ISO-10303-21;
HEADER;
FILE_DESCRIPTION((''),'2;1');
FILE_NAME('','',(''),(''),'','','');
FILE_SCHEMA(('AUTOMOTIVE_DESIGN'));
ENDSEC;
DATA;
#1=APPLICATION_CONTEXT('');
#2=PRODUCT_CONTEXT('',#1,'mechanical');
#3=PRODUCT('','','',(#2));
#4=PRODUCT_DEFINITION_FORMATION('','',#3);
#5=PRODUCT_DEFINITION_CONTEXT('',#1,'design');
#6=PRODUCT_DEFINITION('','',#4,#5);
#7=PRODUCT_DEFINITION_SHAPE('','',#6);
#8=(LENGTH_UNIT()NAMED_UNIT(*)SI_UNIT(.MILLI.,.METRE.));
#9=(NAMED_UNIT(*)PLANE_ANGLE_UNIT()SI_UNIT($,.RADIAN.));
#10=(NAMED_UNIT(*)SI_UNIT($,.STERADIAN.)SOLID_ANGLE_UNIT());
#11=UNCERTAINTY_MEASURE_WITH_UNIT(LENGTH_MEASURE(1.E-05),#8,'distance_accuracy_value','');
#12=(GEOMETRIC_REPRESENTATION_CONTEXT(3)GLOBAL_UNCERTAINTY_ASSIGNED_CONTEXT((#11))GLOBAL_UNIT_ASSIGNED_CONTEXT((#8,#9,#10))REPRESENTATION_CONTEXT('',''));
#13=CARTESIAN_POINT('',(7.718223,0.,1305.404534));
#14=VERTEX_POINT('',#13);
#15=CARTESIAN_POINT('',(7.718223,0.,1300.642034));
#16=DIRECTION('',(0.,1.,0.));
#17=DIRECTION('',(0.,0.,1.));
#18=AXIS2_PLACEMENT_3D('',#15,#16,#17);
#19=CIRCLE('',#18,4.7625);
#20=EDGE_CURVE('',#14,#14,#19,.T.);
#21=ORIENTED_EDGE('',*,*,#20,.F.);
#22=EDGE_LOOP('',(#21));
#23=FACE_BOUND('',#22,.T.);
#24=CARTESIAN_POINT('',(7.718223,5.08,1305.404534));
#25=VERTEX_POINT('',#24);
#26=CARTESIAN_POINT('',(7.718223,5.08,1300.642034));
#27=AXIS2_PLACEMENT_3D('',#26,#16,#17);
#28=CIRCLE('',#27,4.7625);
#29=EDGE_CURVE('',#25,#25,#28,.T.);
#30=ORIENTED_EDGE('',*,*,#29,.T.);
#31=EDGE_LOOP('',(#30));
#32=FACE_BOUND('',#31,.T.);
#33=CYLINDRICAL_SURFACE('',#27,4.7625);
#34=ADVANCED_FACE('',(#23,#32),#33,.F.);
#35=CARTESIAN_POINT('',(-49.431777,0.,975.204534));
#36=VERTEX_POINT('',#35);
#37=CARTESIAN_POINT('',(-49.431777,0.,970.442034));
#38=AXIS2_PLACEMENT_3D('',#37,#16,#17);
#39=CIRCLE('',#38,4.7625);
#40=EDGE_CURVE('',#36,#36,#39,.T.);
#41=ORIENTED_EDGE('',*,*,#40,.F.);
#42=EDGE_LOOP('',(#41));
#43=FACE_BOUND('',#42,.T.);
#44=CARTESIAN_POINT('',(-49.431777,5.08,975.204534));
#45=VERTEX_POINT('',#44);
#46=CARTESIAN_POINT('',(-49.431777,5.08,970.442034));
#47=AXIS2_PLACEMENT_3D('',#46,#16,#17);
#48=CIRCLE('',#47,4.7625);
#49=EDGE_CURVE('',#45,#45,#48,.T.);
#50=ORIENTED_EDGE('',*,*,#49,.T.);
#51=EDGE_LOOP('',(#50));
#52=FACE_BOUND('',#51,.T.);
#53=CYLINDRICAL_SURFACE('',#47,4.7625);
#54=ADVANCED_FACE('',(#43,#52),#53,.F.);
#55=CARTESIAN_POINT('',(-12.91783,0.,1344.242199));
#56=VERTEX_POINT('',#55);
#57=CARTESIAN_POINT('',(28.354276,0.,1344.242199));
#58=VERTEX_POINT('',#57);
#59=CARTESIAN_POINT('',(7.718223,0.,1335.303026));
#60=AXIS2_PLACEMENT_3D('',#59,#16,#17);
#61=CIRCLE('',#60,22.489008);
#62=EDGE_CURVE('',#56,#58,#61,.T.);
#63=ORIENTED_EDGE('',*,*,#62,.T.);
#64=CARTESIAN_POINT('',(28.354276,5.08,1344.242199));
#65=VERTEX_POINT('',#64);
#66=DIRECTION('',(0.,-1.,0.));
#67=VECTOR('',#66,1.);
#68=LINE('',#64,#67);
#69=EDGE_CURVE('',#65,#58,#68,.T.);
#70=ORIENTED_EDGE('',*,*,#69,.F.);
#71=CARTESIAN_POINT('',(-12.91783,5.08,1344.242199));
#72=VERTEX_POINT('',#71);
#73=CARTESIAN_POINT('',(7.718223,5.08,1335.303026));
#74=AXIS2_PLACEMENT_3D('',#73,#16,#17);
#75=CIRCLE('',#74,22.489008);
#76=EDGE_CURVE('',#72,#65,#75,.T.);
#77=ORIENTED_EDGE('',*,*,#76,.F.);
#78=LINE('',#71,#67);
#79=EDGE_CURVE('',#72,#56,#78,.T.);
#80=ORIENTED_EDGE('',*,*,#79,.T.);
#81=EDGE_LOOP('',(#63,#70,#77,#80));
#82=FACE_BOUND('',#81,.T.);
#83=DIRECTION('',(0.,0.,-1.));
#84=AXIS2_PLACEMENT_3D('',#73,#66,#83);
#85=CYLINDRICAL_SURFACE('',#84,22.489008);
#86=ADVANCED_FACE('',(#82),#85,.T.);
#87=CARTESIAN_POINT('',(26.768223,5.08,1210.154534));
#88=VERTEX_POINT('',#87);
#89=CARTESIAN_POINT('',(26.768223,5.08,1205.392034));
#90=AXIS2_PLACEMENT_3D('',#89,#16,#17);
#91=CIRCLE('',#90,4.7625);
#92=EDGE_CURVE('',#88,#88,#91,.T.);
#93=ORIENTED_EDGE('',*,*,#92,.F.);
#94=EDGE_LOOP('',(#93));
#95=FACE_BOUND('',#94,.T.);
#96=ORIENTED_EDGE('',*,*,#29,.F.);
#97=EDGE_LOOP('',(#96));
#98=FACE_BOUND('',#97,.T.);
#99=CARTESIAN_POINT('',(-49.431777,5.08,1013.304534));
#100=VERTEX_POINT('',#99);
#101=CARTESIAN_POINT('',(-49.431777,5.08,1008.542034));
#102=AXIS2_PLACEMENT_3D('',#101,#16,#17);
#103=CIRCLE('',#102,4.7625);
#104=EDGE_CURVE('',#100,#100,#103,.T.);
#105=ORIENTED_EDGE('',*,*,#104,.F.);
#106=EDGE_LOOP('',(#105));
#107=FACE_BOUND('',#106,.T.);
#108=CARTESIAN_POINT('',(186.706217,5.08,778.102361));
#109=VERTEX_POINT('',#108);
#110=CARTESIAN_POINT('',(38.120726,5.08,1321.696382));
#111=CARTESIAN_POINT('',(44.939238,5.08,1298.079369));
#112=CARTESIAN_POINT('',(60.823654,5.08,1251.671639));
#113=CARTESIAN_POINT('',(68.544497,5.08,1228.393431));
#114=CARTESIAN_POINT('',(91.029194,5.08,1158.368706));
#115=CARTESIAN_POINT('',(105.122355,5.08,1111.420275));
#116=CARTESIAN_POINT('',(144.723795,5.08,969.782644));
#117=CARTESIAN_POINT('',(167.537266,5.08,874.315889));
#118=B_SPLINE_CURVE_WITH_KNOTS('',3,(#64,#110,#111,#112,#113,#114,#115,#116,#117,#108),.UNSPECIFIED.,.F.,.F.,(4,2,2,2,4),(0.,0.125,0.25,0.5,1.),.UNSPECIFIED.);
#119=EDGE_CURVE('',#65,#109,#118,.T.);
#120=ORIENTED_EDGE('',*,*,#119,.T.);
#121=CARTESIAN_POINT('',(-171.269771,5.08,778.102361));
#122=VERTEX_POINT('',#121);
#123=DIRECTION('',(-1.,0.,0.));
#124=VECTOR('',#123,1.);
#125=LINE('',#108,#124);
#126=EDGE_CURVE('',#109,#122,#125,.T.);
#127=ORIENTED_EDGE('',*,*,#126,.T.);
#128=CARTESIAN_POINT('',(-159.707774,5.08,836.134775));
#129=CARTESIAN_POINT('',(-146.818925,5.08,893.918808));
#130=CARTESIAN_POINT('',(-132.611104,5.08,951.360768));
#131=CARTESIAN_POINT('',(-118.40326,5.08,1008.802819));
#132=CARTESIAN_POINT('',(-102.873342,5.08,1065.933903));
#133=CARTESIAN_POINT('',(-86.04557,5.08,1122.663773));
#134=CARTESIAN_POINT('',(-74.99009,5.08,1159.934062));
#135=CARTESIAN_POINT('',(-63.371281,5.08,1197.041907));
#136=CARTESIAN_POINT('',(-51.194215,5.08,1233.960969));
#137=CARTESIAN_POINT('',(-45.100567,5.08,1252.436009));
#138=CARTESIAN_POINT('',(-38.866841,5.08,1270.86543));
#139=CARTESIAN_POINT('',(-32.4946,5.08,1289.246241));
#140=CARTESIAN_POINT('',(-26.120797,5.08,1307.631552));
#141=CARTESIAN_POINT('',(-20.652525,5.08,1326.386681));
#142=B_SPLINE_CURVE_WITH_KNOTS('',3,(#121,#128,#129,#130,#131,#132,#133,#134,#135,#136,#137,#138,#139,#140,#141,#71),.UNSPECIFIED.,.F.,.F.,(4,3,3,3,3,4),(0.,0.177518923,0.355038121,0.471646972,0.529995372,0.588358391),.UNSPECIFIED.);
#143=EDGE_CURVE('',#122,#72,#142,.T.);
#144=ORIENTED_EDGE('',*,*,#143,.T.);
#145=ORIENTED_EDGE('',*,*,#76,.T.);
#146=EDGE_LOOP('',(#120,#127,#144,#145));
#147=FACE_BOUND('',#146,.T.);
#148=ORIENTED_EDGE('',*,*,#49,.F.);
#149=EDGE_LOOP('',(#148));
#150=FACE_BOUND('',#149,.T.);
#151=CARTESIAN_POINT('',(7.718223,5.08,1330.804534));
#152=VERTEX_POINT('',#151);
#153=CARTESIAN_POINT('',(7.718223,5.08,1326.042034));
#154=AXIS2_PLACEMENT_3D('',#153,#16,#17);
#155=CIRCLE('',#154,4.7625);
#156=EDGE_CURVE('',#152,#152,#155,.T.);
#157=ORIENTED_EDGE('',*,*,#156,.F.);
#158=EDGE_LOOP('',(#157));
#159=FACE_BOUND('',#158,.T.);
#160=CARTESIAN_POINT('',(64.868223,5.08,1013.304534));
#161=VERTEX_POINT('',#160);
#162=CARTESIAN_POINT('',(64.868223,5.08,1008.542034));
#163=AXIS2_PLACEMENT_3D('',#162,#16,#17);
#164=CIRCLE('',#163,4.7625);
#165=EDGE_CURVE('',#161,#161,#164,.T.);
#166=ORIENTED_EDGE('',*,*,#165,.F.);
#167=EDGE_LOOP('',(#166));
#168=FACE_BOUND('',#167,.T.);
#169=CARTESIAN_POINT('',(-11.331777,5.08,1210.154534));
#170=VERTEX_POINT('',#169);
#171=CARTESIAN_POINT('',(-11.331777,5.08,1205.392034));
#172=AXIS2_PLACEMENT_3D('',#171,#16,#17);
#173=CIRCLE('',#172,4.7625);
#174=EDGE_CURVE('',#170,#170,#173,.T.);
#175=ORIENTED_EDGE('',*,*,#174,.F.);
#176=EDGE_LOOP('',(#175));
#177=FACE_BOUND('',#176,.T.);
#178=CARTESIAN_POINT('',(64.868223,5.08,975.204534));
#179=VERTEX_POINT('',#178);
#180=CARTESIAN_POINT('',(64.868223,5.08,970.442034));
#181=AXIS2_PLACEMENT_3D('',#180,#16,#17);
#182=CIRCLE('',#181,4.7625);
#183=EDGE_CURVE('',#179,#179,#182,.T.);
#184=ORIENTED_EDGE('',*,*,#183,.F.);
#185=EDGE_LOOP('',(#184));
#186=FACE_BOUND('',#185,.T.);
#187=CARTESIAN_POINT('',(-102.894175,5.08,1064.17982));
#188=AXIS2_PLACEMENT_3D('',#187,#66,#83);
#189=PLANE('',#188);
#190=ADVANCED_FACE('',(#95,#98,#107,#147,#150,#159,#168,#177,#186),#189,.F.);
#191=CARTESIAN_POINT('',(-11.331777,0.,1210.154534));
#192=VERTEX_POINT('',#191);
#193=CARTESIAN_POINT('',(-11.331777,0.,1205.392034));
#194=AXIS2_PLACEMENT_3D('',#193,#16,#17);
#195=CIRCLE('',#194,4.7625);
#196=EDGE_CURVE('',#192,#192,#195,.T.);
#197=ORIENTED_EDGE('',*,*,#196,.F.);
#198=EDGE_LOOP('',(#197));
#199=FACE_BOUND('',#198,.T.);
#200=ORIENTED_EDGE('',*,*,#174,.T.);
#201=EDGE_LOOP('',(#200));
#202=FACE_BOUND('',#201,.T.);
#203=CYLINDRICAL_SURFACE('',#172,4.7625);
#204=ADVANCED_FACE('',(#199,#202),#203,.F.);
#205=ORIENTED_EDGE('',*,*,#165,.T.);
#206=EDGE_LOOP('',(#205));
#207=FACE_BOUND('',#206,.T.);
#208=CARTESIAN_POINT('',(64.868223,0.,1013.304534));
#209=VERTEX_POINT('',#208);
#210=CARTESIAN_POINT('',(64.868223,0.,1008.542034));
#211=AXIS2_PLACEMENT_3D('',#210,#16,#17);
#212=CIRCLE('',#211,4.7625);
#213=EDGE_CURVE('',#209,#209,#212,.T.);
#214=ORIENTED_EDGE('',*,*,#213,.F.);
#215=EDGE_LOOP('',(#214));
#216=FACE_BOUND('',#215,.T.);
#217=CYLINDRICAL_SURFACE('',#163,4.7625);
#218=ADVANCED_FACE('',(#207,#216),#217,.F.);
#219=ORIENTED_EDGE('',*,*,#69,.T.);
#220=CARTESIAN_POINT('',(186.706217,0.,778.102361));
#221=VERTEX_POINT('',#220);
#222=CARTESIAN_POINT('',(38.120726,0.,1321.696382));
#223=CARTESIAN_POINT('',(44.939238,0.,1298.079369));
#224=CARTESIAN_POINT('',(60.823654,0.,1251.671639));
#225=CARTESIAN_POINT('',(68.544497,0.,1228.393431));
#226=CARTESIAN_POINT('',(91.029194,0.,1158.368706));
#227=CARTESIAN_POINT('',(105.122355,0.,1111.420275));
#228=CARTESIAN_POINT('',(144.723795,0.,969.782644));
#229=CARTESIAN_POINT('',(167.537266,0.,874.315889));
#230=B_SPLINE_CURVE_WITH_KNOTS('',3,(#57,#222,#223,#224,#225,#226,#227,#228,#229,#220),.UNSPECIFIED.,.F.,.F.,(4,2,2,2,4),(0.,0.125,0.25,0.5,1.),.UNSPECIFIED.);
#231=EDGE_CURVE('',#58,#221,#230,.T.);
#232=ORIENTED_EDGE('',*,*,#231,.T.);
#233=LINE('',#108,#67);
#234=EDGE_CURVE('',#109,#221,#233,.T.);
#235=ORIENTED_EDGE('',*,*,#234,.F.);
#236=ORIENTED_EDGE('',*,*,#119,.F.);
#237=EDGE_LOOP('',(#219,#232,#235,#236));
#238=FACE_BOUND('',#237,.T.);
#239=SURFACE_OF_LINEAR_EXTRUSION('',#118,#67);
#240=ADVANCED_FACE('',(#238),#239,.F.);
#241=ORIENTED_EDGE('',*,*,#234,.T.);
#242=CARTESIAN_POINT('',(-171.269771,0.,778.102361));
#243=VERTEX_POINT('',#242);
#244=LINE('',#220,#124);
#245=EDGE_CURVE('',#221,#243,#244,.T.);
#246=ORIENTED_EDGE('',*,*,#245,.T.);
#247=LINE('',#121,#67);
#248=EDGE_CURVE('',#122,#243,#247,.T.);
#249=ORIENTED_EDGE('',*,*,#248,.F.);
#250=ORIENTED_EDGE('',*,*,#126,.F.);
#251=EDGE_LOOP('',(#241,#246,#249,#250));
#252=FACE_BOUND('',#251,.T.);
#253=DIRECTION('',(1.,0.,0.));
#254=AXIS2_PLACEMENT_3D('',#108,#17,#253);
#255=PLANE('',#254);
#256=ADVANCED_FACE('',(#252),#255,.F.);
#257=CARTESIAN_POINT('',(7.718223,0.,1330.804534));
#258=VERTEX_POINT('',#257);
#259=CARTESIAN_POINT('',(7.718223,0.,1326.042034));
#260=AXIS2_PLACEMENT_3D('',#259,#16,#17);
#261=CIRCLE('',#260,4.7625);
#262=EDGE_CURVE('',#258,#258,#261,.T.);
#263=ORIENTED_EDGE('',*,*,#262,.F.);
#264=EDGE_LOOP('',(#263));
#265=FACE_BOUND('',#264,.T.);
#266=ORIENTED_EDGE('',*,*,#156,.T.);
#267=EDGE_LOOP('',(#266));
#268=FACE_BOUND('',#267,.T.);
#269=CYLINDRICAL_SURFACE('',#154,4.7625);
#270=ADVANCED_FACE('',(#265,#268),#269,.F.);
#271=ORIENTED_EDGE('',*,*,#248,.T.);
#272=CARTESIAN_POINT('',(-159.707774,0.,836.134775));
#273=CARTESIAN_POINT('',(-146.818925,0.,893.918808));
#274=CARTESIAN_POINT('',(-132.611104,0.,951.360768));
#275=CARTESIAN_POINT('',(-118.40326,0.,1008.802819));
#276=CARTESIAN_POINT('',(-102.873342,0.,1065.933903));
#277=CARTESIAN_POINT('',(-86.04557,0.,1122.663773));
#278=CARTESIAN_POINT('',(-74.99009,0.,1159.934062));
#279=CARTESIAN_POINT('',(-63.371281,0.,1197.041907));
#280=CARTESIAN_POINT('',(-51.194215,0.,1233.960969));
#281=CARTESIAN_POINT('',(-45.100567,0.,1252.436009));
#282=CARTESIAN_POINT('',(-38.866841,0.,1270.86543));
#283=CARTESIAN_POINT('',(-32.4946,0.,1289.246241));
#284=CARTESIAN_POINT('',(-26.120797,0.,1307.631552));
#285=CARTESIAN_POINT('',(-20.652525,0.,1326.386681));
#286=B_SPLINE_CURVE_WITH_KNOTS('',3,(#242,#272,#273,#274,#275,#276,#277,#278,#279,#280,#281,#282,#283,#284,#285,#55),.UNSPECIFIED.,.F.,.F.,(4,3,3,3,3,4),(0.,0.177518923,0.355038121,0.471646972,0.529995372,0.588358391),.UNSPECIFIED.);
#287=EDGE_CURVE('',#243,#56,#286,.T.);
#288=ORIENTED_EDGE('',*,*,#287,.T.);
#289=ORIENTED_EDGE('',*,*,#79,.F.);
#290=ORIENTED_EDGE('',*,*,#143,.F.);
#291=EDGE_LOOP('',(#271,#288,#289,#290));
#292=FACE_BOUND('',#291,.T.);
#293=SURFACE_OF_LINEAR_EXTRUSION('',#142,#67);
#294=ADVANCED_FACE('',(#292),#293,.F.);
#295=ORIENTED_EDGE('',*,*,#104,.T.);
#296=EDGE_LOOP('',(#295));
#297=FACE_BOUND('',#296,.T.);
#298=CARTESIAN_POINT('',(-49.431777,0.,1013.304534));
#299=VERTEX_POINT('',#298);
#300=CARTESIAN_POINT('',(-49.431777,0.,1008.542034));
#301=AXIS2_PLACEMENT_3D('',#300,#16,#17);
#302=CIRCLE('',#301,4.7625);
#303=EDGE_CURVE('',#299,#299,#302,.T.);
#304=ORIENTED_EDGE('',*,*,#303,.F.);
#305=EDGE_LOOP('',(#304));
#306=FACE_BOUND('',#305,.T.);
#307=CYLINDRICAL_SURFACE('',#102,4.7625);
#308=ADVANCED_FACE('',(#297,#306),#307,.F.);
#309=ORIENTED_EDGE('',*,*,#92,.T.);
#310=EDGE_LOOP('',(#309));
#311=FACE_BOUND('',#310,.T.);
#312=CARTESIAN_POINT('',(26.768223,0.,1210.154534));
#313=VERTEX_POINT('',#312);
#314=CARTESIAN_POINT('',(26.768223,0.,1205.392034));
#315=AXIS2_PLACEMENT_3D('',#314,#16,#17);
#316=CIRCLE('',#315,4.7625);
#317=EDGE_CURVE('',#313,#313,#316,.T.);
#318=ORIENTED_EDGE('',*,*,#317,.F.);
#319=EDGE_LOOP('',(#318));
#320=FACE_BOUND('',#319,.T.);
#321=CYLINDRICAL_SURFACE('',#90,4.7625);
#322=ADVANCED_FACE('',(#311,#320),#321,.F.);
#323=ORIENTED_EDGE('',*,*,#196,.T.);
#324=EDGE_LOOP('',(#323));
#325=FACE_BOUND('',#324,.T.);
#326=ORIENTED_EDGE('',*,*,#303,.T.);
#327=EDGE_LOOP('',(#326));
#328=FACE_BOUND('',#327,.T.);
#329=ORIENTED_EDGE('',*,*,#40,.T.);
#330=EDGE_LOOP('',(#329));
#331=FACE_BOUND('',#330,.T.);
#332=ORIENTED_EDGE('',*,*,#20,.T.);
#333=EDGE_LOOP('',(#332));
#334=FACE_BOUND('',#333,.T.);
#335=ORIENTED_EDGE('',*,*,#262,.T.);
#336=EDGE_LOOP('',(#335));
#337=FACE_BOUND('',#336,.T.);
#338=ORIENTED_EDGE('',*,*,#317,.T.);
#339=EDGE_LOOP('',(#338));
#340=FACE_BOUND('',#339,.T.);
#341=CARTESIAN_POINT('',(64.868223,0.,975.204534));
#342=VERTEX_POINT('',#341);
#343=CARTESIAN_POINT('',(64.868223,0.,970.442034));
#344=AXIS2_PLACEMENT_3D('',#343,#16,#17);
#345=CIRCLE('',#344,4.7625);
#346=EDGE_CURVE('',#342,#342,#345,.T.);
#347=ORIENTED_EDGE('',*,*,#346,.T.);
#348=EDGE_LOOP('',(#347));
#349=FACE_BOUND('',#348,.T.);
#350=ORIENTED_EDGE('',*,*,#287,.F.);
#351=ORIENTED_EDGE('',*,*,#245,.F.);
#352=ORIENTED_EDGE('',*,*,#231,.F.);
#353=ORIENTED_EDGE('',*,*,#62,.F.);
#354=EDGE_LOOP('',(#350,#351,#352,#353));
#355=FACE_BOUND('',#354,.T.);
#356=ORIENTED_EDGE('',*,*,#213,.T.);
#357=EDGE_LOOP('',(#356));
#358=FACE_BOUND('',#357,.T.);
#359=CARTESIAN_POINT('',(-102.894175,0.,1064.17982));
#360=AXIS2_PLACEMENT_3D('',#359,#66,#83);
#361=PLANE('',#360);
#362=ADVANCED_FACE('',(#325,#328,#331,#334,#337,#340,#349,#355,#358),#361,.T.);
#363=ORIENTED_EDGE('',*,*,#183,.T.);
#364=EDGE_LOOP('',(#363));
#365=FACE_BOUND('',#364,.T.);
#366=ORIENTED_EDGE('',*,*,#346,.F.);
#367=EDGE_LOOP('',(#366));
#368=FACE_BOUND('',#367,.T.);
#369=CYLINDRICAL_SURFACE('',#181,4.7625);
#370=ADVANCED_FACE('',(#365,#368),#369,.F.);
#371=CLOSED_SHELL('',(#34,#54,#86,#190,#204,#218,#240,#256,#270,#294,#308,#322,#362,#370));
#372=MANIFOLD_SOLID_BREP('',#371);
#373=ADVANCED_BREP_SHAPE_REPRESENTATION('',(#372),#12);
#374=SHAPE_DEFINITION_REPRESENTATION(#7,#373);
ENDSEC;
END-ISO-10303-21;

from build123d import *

# Parameters (mm, degrees)
BOSS_EXTRUDE1_DEPTH          = 5.08
F_3_8_0_375_DIAMETER_HOLE1_D = 9.525
F_3_8_0_375_DIAMETER_HOLE2_D = 9.525


with BuildPart() as part:
    # Sketch1 → Boss-Extrude1 (new body)
    with BuildSketch(Plane(origin=(0, 0, 0), x_dir=(1, 0, 0), z_dir=(0, 1, 0))):
        with BuildLine():
            Line((186.706216966, -778.102360844), (-171.269771153, -778.102360844))
            add(Edge.make_bspline(
                [(-171.269771153, -778.102360844), (-159.707774454, -836.134775395), (-146.81892484, -893.9188082), (-132.611103769, -951.360767835), (-118.403260068, -1008.802818957), (-102.873342202, -1065.933903144), (-86.045569786, -1122.663773012), (-74.990089761, -1159.934062127), (-63.371281317, -1197.041907081), (-51.194215445, -1233.960969312), (-45.100567198, -1252.436009294), (-38.866841431, -1270.865430421), (-32.494599583, -1289.246240662), (-26.120797202, -1307.631552278), (-20.652525047, -1326.386680917), (-12.917829919, -1344.242199148)],
                knots=[0, 0, 0, 0, 0.177518923, 0.177518923, 0.177518923, 0.355038121, 0.355038121, 0.355038121, 0.471646972, 0.471646972, 0.471646972, 0.529995372, 0.529995372, 0.529995372, 0.588358391, 0.588358391, 0.588358391, 0.588358391], degree=3))
            ThreePointArc((-12.917829919, -1344.242199148), (7.718222897, -1357.79203399), (28.354275723, -1344.242199164))
            add(Edge.make_bspline(
                [(28.354275723, -1344.242199164), (38.120725658, -1321.696381858), (44.939237661, -1298.079369173), (60.823654171, -1251.671639351), (68.544496879, -1228.393431097), (91.029194373, -1158.368706478), (105.122355407, -1111.420274649), (144.723795491, -969.782644477), (167.537266257, -874.315888923), (186.706216966, -778.102360844)],
                knots=[0, 0, 0, 0, 0.125, 0.125, 0.25, 0.25, 0.5, 0.5, 1, 1, 1, 1], degree=3))
        make_face()
    extrude(amount=BOSS_EXTRUDE1_DEPTH)

    # 3/8 (0.375) Diameter Hole1 (through all)
    with Locations(Plane(origin=(0, 5.08, 0), x_dir=(1, 0, 0), z_dir=(0, 1, 0))):
        with Locations((7.718222897, -1326.04203399), (7.718222897, -1300.64203399)):
            Hole(F_3_8_0_375_DIAMETER_HOLE1_D / 2)

    # 3/8 (0.375) Diameter Hole2 (through all)
    with Locations(Plane(origin=(0, 5.08, 0), x_dir=(1, 0, 0), z_dir=(0, 1, 0))):
        with Locations((-49.431777094, -970.44203399), (-49.431777094, -1008.54203399), (64.868222906, -970.44203399), (64.868222906, -1008.54203399), (-11.331777094, -1205.39203399), (26.768222906, -1205.39203399)):
            Hole(F_3_8_0_375_DIAMETER_HOLE2_D / 2)


solid = part.part
